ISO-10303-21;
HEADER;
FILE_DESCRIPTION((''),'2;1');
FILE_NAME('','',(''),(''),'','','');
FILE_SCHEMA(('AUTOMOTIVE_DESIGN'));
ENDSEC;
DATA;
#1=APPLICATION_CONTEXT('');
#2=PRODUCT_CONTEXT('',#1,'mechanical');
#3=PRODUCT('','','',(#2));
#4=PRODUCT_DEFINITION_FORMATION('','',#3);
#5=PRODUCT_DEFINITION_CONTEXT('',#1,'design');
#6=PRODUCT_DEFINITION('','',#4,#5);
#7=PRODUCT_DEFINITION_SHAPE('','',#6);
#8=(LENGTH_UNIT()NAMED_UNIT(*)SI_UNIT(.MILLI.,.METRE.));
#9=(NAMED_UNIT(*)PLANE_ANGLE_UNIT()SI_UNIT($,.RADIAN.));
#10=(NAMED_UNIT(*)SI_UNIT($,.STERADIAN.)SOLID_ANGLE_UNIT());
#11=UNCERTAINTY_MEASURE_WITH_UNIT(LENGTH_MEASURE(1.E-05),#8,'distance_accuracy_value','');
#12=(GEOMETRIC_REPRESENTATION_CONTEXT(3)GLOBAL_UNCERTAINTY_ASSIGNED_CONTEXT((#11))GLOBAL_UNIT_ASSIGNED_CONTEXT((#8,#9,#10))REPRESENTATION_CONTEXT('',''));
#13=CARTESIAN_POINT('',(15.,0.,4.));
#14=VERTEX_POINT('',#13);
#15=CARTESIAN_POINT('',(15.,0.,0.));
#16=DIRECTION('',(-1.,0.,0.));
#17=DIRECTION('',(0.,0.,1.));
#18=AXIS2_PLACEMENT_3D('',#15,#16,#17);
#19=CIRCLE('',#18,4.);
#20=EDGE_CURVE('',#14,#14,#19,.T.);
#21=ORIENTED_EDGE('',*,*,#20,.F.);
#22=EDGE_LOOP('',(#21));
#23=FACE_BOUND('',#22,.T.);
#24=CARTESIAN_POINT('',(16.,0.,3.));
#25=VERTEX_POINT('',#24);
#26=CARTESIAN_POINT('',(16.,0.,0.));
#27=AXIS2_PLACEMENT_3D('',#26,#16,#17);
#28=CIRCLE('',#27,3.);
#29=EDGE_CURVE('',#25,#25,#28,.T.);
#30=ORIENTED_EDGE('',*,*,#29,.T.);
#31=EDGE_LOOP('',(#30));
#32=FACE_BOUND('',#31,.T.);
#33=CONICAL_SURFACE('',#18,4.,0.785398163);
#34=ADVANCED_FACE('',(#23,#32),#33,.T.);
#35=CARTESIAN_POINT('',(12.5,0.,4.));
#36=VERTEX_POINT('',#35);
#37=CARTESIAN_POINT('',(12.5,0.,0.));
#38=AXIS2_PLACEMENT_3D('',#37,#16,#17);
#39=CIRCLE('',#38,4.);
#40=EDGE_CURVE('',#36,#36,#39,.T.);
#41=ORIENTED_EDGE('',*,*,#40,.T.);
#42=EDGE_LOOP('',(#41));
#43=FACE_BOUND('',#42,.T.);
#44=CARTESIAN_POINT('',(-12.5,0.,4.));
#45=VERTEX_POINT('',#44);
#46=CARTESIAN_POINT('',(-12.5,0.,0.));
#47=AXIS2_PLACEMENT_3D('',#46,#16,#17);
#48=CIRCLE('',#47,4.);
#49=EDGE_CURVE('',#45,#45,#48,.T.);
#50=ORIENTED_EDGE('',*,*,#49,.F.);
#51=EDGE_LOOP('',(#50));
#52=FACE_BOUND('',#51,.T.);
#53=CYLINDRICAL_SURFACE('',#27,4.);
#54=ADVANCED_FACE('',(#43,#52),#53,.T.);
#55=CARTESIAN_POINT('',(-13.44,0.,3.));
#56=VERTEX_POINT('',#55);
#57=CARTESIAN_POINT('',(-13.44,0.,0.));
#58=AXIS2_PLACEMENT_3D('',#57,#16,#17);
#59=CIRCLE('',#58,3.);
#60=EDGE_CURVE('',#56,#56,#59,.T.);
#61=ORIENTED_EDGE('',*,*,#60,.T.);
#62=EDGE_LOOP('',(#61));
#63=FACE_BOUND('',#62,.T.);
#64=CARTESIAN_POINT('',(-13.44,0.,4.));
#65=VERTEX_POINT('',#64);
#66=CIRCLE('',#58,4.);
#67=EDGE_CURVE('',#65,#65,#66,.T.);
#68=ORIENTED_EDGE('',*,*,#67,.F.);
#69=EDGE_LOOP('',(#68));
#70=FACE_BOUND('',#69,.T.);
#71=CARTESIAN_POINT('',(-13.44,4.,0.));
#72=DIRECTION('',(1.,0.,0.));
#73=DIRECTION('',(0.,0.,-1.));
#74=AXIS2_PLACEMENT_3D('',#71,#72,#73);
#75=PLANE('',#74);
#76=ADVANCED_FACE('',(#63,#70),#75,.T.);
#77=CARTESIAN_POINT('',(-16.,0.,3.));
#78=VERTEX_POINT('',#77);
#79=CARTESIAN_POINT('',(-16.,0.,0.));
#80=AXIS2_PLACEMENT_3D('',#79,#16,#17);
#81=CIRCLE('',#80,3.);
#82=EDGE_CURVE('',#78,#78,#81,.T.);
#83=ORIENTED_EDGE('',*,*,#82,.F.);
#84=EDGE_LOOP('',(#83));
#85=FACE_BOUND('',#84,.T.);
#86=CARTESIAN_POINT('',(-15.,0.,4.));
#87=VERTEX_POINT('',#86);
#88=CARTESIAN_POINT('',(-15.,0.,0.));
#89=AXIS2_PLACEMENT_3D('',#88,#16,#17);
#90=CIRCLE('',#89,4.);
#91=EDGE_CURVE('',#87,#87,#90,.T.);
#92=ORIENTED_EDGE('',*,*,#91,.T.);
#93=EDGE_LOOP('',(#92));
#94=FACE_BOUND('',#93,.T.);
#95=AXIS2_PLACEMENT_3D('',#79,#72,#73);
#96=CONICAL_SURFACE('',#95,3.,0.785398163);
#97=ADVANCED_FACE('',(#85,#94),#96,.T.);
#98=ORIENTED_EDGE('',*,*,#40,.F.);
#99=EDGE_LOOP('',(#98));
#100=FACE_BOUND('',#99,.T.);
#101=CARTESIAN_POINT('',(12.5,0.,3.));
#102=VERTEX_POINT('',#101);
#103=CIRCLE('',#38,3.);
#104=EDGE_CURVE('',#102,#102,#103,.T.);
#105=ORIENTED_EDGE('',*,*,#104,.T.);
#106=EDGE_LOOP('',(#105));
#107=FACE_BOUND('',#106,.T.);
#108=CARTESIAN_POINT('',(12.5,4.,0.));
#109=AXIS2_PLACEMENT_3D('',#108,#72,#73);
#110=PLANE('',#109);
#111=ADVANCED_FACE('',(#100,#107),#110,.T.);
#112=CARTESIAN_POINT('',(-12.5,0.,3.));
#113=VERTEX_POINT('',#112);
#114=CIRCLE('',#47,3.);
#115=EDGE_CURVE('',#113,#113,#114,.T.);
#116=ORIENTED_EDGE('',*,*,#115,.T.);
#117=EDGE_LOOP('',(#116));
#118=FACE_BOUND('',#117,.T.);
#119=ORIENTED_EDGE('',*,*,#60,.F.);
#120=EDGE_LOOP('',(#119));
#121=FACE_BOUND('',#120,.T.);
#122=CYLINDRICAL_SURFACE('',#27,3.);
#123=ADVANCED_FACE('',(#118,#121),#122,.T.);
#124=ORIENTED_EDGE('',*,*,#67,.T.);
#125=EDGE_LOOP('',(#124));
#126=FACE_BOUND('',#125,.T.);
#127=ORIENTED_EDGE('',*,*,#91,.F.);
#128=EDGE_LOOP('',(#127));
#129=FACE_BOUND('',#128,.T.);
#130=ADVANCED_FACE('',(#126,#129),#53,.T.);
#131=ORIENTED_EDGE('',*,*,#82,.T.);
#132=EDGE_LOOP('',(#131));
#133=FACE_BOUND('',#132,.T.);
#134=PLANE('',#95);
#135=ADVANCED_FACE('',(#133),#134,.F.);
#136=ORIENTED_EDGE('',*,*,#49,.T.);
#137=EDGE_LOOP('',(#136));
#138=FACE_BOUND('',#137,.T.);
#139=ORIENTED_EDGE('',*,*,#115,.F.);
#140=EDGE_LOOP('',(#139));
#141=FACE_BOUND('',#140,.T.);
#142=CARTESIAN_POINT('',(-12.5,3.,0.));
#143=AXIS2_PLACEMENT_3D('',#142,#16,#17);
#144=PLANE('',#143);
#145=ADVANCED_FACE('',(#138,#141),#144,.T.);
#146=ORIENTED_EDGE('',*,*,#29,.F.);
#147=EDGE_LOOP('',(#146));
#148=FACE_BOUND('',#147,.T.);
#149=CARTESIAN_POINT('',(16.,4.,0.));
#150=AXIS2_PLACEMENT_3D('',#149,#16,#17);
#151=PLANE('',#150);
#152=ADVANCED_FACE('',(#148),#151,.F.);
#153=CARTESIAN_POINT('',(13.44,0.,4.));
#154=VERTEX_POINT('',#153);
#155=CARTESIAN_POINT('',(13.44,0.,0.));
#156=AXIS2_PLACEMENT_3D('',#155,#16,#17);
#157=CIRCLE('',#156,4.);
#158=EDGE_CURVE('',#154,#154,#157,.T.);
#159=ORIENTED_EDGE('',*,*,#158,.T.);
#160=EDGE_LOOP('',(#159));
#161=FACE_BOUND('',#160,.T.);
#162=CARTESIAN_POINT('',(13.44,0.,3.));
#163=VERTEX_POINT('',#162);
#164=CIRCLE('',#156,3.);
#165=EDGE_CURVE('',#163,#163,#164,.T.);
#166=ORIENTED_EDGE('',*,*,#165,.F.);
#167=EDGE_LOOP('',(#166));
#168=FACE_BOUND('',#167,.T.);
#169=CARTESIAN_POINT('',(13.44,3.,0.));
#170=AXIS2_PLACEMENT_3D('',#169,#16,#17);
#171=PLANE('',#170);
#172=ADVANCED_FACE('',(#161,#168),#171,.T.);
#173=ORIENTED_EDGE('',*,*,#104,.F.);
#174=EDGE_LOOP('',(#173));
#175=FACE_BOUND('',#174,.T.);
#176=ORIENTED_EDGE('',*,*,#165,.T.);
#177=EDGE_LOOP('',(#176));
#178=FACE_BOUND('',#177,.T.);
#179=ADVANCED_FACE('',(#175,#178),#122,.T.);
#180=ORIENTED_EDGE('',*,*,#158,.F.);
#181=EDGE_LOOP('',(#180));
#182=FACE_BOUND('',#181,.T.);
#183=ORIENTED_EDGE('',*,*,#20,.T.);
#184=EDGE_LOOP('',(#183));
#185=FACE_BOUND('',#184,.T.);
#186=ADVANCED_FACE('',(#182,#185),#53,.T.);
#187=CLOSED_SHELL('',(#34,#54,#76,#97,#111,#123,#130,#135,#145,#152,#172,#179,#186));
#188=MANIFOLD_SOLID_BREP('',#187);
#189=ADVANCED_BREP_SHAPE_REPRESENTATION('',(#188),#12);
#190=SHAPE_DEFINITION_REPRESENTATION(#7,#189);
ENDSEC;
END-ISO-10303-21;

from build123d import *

# Parameters (mm, degrees)
SKETCH1_W = 32
SKETCH1_H = 4
SKETCH4_W = 0.94
SKETCH4_H = 1
SKETCH5_W = 0.94
SKETCH5_H = 1


with BuildPart() as part:
    # Sketch1 → Revolve1 (revolve)
    with BuildSketch(Plane.XY):
        with Locations((0, 2)):
            Rectangle(SKETCH1_W, SKETCH1_H)
    revolve(axis=Axis((16, 0, 0), (-1, 0, 0)))

    # Sketch2 → Cut-Revolve1 (revolve, cut)
    with BuildSketch(Plane.XY):
        Polygon((15, 4), (16, 3), (16, 4), align=None)
    revolve(axis=Axis((16, 0, 0), (-1, 0, 0)), mode=Mode.SUBTRACT)

    # Sketch3 → Cut-Revolve2 (revolve, cut)
    with BuildSketch(Plane.XY):
        Polygon((-16, 3), (-15, 4), (-16, 4), align=None)
    revolve(axis=Axis((16, 0, 0), (-1, 0, 0)), mode=Mode.SUBTRACT)

    # Sketch4 → Cut-Revolve3 (revolve, cut)
    with BuildSketch(Plane.XY):
        with Locations((12.97, 3.5)):
            Rectangle(SKETCH4_W, SKETCH4_H)
    revolve(axis=Axis((16, 0, 0), (-1, 0, 0)), mode=Mode.SUBTRACT)

    # Sketch5 → Cut-Revolve4 (revolve, cut)
    with BuildSketch(Plane.XY):
        with Locations((-12.97, 3.5)):
            Rectangle(SKETCH5_W, SKETCH5_H)
    revolve(axis=Axis((16, 0, 0), (-1, 0, 0)), mode=Mode.SUBTRACT)


solid = part.part
